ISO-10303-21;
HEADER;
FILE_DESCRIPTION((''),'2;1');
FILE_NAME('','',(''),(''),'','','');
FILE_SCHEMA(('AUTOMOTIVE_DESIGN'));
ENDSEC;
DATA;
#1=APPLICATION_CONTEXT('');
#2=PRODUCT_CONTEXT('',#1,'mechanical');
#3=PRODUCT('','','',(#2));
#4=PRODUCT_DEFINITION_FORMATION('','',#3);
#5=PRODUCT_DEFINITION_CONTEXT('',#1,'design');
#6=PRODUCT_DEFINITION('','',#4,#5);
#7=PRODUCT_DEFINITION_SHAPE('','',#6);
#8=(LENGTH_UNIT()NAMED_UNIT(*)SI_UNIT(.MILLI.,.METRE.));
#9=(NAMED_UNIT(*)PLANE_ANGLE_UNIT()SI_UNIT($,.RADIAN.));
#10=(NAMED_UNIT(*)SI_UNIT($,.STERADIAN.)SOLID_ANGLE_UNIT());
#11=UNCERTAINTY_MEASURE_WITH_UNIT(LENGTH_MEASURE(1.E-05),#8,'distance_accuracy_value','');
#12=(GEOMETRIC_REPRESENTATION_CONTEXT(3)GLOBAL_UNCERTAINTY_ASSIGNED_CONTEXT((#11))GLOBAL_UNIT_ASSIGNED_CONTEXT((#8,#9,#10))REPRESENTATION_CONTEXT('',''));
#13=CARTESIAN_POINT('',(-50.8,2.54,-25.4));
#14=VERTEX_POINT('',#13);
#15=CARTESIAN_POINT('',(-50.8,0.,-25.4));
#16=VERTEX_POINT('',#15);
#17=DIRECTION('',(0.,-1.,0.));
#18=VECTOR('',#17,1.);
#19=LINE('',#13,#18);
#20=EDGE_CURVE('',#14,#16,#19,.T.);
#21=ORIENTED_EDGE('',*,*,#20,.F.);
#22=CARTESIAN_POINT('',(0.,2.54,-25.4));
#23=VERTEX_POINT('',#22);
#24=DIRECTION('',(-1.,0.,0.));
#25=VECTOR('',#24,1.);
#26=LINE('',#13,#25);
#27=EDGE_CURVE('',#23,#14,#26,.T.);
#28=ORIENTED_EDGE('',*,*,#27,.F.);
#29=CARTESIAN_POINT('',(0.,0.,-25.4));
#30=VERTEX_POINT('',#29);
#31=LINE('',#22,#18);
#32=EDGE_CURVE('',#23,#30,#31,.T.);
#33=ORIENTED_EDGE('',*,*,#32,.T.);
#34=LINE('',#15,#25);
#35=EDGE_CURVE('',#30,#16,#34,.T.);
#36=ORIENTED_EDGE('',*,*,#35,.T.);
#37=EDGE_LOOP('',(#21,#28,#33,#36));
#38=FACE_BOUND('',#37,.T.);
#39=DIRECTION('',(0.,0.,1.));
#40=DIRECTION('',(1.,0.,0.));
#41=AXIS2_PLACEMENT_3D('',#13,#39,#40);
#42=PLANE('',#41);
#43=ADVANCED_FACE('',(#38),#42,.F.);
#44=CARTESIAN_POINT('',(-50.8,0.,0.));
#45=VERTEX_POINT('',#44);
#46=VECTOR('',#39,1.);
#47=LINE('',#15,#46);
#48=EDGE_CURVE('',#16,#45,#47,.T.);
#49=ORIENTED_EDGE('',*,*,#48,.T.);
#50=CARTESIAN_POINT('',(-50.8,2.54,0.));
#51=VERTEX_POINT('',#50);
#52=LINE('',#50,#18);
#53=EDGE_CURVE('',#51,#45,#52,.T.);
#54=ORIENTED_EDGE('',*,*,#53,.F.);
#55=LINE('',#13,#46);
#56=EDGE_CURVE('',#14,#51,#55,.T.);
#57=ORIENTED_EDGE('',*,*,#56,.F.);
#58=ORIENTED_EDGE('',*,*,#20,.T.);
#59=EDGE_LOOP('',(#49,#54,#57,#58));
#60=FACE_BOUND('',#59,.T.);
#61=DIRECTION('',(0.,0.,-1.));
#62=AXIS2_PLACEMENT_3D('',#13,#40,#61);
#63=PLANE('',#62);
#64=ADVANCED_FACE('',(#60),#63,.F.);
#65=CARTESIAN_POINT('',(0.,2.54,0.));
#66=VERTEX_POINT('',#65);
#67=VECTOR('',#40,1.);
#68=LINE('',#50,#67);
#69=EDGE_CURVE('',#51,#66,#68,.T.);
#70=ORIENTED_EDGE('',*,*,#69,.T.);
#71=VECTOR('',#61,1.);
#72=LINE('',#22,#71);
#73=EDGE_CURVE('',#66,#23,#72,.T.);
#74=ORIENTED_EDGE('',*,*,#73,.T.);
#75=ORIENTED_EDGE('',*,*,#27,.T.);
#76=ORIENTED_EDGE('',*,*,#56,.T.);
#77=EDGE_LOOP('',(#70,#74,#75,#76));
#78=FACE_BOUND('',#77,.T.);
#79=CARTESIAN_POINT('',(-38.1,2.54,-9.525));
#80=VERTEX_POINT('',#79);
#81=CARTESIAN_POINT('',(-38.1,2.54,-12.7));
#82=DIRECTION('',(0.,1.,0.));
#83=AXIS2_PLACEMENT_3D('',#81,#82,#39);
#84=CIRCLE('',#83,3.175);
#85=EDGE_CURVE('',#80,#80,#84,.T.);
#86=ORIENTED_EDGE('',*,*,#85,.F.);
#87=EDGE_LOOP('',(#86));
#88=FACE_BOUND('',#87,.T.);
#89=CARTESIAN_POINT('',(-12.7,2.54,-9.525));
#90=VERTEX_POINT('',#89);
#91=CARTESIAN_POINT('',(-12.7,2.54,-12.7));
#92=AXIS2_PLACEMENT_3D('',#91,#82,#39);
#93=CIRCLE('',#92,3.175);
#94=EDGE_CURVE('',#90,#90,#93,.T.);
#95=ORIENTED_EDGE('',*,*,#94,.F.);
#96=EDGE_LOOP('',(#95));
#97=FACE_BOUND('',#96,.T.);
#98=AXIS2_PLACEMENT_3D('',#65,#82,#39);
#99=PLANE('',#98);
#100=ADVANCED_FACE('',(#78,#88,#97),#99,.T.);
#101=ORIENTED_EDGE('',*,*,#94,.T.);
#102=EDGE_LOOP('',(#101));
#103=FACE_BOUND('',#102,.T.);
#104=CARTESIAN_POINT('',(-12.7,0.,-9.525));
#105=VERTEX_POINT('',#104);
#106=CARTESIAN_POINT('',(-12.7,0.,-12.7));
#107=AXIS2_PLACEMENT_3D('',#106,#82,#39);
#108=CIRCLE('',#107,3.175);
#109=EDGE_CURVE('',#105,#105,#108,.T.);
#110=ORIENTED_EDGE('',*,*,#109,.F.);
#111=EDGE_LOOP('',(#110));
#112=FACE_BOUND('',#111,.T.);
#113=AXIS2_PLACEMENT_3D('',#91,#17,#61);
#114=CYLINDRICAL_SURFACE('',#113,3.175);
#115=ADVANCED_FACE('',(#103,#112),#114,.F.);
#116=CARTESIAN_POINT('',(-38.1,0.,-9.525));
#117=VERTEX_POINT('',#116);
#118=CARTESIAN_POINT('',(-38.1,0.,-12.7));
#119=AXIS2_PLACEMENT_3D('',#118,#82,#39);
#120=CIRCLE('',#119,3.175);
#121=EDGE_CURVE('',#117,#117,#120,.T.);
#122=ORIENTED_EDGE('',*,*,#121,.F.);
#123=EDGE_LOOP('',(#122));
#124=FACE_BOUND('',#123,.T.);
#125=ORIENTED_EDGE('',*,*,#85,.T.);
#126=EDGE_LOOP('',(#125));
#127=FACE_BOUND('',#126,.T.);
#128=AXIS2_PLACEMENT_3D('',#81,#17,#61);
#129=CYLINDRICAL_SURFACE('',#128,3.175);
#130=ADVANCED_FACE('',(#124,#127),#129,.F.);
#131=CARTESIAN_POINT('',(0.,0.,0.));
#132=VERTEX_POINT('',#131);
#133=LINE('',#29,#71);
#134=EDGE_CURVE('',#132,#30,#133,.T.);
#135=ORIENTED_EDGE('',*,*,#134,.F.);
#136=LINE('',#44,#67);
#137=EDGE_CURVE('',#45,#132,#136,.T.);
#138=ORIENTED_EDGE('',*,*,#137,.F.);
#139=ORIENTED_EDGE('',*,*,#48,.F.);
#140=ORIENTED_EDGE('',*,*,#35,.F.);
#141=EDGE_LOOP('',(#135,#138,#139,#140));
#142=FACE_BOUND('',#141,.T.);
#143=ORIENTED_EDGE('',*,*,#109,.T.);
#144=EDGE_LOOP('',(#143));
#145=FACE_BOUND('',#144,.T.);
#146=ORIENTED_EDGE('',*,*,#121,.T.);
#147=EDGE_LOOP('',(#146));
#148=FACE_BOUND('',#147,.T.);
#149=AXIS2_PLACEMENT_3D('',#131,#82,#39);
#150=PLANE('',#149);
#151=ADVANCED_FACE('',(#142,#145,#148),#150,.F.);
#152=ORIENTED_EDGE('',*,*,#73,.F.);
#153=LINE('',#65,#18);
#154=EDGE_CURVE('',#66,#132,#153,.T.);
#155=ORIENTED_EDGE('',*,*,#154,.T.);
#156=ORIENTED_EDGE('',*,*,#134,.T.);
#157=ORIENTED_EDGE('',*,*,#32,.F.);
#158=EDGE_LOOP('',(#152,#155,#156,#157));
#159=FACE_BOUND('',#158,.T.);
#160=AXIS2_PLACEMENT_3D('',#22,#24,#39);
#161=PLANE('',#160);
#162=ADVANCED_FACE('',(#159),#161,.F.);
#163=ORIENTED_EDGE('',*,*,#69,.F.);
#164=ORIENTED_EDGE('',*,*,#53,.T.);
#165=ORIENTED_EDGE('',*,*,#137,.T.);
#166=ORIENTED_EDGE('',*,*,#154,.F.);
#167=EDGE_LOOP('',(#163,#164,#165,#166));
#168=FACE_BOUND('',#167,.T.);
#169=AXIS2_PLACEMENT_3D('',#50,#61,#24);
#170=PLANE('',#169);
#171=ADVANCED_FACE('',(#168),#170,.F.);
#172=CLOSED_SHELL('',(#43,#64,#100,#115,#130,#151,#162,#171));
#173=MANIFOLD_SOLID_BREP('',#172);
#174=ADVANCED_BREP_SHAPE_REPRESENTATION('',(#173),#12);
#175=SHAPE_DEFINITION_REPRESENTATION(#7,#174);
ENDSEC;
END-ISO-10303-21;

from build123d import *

# Parameters (mm, degrees)
SKETCH1_W           = 50.8
SKETCH1_H           = 25.4
SKETCH1_R           = 3.175
BOSS_EXTRUDE1_DEPTH = 2.54


with BuildPart() as part:
    # Sketch1 → Boss-Extrude1 (new body)
    with BuildSketch(Plane(origin=(0, 0, 0), x_dir=(1, 0, 0), z_dir=(0, 1, 0))):
        with Locations((-25.4, 12.7)):
            Rectangle(SKETCH1_W, SKETCH1_H)
        with Locations((-38.1, 12.7)):
            Circle(SKETCH1_R, mode=Mode.SUBTRACT)
        with Locations((-12.7, 12.7)):
            Circle(SKETCH1_R, mode=Mode.SUBTRACT)
    extrude(amount=BOSS_EXTRUDE1_DEPTH)


solid = part.part
